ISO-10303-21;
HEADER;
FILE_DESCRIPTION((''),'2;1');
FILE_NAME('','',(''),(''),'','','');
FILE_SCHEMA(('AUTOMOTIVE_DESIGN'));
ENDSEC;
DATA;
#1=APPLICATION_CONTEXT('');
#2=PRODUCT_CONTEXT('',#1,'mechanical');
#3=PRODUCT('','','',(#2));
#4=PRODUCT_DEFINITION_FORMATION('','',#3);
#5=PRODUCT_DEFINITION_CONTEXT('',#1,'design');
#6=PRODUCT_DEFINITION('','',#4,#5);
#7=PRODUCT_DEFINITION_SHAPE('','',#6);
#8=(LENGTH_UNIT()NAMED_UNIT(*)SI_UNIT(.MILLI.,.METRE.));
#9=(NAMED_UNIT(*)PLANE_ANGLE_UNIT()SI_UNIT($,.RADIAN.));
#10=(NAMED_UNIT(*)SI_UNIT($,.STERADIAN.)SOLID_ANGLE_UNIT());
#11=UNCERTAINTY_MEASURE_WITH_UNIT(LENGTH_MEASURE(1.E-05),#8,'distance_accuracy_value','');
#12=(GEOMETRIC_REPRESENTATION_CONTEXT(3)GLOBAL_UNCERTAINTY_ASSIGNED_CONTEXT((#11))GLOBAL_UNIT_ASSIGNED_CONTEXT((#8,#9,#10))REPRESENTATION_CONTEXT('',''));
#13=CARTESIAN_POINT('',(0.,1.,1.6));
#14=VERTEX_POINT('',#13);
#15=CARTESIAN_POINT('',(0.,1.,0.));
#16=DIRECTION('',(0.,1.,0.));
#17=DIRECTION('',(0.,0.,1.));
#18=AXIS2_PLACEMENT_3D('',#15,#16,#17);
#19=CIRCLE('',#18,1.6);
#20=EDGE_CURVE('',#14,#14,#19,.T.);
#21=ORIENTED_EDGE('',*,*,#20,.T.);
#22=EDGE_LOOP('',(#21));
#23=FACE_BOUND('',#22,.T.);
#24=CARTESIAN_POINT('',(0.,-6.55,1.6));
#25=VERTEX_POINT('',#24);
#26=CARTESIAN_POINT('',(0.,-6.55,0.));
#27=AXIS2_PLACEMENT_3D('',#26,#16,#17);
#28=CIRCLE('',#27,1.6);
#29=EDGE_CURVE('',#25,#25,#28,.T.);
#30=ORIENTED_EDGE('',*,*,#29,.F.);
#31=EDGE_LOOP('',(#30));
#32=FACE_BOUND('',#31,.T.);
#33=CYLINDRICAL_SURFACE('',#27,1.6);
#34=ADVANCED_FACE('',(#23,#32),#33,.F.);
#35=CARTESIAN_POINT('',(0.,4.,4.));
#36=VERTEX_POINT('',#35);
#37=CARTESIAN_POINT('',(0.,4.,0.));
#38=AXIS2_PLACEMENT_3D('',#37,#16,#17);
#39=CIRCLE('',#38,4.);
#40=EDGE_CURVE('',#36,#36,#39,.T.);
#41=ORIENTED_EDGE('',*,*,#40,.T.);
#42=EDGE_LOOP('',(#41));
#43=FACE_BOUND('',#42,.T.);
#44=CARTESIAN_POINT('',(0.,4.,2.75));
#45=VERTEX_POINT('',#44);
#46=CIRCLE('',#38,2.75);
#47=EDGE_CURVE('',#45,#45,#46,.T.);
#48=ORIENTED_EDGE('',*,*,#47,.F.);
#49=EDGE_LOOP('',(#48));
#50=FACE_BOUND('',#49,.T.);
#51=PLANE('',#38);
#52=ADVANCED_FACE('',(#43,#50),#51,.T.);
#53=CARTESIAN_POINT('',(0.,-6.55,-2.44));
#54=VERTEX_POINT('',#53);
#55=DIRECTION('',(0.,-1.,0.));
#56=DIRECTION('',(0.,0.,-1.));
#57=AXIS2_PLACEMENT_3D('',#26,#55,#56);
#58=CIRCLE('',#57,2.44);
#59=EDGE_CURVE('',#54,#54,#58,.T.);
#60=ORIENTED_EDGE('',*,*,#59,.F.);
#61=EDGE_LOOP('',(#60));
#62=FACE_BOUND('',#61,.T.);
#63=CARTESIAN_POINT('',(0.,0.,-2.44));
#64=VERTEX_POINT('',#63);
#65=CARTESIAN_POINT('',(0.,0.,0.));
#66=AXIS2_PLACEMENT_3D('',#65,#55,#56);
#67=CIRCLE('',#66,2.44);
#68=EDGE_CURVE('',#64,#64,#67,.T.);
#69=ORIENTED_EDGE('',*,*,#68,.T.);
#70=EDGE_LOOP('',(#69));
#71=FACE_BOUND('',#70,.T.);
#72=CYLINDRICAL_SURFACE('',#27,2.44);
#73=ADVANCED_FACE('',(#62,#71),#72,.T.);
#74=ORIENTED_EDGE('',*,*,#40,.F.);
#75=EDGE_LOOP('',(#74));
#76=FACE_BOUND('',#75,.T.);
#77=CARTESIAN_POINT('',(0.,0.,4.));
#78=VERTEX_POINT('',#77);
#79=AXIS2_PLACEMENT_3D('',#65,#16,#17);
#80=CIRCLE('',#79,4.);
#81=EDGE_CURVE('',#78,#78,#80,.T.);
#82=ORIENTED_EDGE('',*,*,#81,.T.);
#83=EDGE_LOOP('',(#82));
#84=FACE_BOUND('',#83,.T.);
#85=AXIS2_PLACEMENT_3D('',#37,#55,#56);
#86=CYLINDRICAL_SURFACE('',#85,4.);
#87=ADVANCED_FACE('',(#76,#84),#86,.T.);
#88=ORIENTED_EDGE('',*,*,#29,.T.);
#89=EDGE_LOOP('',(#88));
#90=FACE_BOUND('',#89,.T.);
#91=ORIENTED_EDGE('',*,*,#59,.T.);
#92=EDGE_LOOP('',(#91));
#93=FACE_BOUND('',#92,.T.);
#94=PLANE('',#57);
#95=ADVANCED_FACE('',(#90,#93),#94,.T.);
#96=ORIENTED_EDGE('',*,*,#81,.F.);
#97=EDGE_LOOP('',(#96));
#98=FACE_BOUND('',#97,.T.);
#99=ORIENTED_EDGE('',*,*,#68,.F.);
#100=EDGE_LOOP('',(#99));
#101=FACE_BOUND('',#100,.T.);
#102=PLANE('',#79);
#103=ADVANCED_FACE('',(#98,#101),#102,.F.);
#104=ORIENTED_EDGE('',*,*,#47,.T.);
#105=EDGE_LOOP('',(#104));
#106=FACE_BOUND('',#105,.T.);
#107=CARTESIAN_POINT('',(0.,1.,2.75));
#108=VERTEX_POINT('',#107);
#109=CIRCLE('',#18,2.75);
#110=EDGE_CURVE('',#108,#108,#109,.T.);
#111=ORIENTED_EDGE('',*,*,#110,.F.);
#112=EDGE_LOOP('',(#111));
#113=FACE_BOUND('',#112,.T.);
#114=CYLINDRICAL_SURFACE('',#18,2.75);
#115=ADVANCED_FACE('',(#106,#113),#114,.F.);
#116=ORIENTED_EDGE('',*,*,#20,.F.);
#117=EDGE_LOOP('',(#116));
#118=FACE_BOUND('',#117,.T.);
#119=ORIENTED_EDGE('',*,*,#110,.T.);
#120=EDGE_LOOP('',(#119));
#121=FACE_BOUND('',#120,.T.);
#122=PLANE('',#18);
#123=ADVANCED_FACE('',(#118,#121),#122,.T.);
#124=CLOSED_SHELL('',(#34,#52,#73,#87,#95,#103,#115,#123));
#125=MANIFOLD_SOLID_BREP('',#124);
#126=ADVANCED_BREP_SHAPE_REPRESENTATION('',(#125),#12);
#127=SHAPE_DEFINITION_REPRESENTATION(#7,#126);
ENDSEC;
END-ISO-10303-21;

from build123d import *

# Parameters (mm, degrees)
SKETCH1_R           = 4
BOSS_EXTRUDE1_DEPTH = 4
SKETCH2_R           = 2.44
BOSS_EXTRUDE2_DEPTH = 6.55
SKETCH3_R           = 2.75
CUT_EXTRUDE1_DEPTH  = 3
SKETCH4_R           = 1.6
CUT_EXTRUDE2_DEPTH  = 10.434113631


with BuildPart() as part:
    # Sketch1 → Boss-Extrude1 (new body)
    with BuildSketch(Plane(origin=(0, 0, 0), x_dir=(1, 0, 0), z_dir=(0, 1, 0))):
        with Locations(Location((0, 0, 0), (0, 0, 270))):
            Circle(SKETCH1_R)
    extrude(amount=BOSS_EXTRUDE1_DEPTH)

    # Sketch2 → Boss-Extrude2 (add)
    with BuildSketch(Plane.XZ):
        with Locations(Location((0, 0, 0), (0, 0, 270))):
            Circle(SKETCH2_R)
    extrude(amount=BOSS_EXTRUDE2_DEPTH)

    # Sketch3 → Cut-Extrude1 (cut)
    with BuildSketch(Plane(origin=(0, 4, 0), x_dir=(1, 0, 0), z_dir=(0, 1, 0))):
        with Locations(Location((0, 0, 0), (0, 0, 270))):
            Circle(SKETCH3_R)
    extrude(amount=-CUT_EXTRUDE1_DEPTH, mode=Mode.SUBTRACT)

    # Sketch4 → Cut-Extrude2 (cut, through all)
    with BuildSketch(Plane(origin=(0, 1, 0), x_dir=(1, 0, 0), z_dir=(0, 1, 0))):
        with Locations(Location((0, 0, 0), (0, 0, 270))):
            Circle(SKETCH4_R)
    extrude(amount=-CUT_EXTRUDE2_DEPTH, mode=Mode.SUBTRACT)


solid = part.part
